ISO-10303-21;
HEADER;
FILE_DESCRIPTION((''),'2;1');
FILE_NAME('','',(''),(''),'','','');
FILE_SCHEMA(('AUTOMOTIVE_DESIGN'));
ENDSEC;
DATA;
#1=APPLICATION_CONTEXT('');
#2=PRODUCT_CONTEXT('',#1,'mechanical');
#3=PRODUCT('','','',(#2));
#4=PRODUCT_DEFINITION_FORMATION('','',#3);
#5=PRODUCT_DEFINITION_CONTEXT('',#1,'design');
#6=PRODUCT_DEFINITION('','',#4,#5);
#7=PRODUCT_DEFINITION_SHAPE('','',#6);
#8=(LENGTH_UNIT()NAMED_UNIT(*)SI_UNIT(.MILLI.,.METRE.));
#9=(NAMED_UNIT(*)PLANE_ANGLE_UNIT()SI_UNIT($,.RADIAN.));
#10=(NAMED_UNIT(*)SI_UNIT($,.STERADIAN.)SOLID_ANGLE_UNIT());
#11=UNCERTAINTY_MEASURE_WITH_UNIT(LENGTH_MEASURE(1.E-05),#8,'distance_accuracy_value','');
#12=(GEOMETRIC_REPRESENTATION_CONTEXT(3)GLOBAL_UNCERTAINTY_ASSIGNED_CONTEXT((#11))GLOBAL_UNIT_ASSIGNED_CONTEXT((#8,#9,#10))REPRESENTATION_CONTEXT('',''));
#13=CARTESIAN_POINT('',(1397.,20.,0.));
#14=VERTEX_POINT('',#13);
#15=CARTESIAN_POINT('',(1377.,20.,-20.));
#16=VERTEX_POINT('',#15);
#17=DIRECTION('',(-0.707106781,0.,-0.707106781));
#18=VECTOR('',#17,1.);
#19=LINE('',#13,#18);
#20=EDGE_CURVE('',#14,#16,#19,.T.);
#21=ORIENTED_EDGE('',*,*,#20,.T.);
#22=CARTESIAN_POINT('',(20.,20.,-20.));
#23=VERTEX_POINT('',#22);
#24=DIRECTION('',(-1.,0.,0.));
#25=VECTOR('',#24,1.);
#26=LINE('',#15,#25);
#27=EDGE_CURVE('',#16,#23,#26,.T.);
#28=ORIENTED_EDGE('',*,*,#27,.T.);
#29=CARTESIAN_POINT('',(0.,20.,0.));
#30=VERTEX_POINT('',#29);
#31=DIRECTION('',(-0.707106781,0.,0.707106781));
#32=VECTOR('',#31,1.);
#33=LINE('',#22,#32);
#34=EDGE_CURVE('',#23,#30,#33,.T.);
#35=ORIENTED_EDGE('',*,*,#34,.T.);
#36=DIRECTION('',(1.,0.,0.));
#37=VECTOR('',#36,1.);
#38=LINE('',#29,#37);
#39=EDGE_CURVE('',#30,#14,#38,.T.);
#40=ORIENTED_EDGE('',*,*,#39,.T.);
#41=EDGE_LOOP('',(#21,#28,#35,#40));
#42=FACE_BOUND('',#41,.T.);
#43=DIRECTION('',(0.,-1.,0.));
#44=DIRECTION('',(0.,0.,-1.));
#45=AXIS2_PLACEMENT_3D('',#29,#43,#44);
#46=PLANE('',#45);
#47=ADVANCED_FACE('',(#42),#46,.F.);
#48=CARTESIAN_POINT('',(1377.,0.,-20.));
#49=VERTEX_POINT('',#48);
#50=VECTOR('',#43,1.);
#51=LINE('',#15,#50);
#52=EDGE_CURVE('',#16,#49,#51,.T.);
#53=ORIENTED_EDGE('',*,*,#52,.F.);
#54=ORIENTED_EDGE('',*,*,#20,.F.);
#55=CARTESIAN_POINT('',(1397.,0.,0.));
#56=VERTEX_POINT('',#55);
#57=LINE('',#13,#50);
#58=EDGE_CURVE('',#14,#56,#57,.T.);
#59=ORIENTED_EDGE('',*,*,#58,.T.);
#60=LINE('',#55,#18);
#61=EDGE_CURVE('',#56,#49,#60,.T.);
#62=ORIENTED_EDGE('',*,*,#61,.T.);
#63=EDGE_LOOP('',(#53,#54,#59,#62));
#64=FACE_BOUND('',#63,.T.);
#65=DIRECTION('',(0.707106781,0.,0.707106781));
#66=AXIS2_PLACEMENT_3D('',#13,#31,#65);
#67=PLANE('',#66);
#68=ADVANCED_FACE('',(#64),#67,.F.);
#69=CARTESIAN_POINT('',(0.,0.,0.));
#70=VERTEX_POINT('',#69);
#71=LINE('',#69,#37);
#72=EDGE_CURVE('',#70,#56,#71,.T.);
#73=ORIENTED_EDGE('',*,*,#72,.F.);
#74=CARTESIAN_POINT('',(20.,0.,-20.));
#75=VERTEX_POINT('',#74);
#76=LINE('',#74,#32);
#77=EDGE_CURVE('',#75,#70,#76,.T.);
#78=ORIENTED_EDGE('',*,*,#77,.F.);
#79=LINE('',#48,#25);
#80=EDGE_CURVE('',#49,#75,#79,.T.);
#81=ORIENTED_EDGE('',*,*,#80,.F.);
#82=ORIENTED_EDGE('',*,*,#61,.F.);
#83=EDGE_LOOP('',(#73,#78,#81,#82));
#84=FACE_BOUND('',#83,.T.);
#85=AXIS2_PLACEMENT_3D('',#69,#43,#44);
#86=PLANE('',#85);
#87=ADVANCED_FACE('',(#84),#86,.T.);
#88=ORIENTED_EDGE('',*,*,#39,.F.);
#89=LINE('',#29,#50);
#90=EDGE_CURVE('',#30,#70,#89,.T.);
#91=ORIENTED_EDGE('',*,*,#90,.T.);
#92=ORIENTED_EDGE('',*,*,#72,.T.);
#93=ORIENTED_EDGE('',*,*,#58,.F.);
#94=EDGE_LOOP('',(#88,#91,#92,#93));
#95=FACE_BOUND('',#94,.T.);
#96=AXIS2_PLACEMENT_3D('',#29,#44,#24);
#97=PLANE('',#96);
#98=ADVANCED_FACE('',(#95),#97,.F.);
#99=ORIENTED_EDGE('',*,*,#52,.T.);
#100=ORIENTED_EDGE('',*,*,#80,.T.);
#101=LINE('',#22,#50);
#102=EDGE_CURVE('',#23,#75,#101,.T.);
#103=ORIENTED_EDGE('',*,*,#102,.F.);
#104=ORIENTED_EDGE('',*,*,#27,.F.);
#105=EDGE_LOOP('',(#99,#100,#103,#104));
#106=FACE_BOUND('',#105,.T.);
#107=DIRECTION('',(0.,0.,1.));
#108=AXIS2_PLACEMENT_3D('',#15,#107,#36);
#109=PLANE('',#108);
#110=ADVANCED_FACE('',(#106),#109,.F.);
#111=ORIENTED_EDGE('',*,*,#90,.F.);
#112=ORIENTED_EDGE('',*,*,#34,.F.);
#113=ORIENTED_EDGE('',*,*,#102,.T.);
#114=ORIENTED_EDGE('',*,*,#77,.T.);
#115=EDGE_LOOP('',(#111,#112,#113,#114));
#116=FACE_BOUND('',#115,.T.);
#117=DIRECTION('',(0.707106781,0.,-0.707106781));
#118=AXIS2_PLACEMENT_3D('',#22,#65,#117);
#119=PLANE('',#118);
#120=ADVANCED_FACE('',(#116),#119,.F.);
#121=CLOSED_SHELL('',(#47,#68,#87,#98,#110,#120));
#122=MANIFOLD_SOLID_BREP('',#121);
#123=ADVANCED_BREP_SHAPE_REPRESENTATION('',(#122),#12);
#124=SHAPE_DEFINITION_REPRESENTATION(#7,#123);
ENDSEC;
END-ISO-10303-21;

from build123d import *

# Parameters (mm, degrees)
BOSS_EXTRUDE1_DEPTH = 20


with BuildPart() as part:
    # Sketch1 → Boss-Extrude1 (new body)
    with BuildSketch(Plane(origin=(0, 0, 0), x_dir=(1, 0, 0), z_dir=(0, 1, 0))):
        Polygon((0, 0), (1397, 0), (1377, 20), (20, 20), align=None)
    extrude(amount=BOSS_EXTRUDE1_DEPTH)


solid = part.part
